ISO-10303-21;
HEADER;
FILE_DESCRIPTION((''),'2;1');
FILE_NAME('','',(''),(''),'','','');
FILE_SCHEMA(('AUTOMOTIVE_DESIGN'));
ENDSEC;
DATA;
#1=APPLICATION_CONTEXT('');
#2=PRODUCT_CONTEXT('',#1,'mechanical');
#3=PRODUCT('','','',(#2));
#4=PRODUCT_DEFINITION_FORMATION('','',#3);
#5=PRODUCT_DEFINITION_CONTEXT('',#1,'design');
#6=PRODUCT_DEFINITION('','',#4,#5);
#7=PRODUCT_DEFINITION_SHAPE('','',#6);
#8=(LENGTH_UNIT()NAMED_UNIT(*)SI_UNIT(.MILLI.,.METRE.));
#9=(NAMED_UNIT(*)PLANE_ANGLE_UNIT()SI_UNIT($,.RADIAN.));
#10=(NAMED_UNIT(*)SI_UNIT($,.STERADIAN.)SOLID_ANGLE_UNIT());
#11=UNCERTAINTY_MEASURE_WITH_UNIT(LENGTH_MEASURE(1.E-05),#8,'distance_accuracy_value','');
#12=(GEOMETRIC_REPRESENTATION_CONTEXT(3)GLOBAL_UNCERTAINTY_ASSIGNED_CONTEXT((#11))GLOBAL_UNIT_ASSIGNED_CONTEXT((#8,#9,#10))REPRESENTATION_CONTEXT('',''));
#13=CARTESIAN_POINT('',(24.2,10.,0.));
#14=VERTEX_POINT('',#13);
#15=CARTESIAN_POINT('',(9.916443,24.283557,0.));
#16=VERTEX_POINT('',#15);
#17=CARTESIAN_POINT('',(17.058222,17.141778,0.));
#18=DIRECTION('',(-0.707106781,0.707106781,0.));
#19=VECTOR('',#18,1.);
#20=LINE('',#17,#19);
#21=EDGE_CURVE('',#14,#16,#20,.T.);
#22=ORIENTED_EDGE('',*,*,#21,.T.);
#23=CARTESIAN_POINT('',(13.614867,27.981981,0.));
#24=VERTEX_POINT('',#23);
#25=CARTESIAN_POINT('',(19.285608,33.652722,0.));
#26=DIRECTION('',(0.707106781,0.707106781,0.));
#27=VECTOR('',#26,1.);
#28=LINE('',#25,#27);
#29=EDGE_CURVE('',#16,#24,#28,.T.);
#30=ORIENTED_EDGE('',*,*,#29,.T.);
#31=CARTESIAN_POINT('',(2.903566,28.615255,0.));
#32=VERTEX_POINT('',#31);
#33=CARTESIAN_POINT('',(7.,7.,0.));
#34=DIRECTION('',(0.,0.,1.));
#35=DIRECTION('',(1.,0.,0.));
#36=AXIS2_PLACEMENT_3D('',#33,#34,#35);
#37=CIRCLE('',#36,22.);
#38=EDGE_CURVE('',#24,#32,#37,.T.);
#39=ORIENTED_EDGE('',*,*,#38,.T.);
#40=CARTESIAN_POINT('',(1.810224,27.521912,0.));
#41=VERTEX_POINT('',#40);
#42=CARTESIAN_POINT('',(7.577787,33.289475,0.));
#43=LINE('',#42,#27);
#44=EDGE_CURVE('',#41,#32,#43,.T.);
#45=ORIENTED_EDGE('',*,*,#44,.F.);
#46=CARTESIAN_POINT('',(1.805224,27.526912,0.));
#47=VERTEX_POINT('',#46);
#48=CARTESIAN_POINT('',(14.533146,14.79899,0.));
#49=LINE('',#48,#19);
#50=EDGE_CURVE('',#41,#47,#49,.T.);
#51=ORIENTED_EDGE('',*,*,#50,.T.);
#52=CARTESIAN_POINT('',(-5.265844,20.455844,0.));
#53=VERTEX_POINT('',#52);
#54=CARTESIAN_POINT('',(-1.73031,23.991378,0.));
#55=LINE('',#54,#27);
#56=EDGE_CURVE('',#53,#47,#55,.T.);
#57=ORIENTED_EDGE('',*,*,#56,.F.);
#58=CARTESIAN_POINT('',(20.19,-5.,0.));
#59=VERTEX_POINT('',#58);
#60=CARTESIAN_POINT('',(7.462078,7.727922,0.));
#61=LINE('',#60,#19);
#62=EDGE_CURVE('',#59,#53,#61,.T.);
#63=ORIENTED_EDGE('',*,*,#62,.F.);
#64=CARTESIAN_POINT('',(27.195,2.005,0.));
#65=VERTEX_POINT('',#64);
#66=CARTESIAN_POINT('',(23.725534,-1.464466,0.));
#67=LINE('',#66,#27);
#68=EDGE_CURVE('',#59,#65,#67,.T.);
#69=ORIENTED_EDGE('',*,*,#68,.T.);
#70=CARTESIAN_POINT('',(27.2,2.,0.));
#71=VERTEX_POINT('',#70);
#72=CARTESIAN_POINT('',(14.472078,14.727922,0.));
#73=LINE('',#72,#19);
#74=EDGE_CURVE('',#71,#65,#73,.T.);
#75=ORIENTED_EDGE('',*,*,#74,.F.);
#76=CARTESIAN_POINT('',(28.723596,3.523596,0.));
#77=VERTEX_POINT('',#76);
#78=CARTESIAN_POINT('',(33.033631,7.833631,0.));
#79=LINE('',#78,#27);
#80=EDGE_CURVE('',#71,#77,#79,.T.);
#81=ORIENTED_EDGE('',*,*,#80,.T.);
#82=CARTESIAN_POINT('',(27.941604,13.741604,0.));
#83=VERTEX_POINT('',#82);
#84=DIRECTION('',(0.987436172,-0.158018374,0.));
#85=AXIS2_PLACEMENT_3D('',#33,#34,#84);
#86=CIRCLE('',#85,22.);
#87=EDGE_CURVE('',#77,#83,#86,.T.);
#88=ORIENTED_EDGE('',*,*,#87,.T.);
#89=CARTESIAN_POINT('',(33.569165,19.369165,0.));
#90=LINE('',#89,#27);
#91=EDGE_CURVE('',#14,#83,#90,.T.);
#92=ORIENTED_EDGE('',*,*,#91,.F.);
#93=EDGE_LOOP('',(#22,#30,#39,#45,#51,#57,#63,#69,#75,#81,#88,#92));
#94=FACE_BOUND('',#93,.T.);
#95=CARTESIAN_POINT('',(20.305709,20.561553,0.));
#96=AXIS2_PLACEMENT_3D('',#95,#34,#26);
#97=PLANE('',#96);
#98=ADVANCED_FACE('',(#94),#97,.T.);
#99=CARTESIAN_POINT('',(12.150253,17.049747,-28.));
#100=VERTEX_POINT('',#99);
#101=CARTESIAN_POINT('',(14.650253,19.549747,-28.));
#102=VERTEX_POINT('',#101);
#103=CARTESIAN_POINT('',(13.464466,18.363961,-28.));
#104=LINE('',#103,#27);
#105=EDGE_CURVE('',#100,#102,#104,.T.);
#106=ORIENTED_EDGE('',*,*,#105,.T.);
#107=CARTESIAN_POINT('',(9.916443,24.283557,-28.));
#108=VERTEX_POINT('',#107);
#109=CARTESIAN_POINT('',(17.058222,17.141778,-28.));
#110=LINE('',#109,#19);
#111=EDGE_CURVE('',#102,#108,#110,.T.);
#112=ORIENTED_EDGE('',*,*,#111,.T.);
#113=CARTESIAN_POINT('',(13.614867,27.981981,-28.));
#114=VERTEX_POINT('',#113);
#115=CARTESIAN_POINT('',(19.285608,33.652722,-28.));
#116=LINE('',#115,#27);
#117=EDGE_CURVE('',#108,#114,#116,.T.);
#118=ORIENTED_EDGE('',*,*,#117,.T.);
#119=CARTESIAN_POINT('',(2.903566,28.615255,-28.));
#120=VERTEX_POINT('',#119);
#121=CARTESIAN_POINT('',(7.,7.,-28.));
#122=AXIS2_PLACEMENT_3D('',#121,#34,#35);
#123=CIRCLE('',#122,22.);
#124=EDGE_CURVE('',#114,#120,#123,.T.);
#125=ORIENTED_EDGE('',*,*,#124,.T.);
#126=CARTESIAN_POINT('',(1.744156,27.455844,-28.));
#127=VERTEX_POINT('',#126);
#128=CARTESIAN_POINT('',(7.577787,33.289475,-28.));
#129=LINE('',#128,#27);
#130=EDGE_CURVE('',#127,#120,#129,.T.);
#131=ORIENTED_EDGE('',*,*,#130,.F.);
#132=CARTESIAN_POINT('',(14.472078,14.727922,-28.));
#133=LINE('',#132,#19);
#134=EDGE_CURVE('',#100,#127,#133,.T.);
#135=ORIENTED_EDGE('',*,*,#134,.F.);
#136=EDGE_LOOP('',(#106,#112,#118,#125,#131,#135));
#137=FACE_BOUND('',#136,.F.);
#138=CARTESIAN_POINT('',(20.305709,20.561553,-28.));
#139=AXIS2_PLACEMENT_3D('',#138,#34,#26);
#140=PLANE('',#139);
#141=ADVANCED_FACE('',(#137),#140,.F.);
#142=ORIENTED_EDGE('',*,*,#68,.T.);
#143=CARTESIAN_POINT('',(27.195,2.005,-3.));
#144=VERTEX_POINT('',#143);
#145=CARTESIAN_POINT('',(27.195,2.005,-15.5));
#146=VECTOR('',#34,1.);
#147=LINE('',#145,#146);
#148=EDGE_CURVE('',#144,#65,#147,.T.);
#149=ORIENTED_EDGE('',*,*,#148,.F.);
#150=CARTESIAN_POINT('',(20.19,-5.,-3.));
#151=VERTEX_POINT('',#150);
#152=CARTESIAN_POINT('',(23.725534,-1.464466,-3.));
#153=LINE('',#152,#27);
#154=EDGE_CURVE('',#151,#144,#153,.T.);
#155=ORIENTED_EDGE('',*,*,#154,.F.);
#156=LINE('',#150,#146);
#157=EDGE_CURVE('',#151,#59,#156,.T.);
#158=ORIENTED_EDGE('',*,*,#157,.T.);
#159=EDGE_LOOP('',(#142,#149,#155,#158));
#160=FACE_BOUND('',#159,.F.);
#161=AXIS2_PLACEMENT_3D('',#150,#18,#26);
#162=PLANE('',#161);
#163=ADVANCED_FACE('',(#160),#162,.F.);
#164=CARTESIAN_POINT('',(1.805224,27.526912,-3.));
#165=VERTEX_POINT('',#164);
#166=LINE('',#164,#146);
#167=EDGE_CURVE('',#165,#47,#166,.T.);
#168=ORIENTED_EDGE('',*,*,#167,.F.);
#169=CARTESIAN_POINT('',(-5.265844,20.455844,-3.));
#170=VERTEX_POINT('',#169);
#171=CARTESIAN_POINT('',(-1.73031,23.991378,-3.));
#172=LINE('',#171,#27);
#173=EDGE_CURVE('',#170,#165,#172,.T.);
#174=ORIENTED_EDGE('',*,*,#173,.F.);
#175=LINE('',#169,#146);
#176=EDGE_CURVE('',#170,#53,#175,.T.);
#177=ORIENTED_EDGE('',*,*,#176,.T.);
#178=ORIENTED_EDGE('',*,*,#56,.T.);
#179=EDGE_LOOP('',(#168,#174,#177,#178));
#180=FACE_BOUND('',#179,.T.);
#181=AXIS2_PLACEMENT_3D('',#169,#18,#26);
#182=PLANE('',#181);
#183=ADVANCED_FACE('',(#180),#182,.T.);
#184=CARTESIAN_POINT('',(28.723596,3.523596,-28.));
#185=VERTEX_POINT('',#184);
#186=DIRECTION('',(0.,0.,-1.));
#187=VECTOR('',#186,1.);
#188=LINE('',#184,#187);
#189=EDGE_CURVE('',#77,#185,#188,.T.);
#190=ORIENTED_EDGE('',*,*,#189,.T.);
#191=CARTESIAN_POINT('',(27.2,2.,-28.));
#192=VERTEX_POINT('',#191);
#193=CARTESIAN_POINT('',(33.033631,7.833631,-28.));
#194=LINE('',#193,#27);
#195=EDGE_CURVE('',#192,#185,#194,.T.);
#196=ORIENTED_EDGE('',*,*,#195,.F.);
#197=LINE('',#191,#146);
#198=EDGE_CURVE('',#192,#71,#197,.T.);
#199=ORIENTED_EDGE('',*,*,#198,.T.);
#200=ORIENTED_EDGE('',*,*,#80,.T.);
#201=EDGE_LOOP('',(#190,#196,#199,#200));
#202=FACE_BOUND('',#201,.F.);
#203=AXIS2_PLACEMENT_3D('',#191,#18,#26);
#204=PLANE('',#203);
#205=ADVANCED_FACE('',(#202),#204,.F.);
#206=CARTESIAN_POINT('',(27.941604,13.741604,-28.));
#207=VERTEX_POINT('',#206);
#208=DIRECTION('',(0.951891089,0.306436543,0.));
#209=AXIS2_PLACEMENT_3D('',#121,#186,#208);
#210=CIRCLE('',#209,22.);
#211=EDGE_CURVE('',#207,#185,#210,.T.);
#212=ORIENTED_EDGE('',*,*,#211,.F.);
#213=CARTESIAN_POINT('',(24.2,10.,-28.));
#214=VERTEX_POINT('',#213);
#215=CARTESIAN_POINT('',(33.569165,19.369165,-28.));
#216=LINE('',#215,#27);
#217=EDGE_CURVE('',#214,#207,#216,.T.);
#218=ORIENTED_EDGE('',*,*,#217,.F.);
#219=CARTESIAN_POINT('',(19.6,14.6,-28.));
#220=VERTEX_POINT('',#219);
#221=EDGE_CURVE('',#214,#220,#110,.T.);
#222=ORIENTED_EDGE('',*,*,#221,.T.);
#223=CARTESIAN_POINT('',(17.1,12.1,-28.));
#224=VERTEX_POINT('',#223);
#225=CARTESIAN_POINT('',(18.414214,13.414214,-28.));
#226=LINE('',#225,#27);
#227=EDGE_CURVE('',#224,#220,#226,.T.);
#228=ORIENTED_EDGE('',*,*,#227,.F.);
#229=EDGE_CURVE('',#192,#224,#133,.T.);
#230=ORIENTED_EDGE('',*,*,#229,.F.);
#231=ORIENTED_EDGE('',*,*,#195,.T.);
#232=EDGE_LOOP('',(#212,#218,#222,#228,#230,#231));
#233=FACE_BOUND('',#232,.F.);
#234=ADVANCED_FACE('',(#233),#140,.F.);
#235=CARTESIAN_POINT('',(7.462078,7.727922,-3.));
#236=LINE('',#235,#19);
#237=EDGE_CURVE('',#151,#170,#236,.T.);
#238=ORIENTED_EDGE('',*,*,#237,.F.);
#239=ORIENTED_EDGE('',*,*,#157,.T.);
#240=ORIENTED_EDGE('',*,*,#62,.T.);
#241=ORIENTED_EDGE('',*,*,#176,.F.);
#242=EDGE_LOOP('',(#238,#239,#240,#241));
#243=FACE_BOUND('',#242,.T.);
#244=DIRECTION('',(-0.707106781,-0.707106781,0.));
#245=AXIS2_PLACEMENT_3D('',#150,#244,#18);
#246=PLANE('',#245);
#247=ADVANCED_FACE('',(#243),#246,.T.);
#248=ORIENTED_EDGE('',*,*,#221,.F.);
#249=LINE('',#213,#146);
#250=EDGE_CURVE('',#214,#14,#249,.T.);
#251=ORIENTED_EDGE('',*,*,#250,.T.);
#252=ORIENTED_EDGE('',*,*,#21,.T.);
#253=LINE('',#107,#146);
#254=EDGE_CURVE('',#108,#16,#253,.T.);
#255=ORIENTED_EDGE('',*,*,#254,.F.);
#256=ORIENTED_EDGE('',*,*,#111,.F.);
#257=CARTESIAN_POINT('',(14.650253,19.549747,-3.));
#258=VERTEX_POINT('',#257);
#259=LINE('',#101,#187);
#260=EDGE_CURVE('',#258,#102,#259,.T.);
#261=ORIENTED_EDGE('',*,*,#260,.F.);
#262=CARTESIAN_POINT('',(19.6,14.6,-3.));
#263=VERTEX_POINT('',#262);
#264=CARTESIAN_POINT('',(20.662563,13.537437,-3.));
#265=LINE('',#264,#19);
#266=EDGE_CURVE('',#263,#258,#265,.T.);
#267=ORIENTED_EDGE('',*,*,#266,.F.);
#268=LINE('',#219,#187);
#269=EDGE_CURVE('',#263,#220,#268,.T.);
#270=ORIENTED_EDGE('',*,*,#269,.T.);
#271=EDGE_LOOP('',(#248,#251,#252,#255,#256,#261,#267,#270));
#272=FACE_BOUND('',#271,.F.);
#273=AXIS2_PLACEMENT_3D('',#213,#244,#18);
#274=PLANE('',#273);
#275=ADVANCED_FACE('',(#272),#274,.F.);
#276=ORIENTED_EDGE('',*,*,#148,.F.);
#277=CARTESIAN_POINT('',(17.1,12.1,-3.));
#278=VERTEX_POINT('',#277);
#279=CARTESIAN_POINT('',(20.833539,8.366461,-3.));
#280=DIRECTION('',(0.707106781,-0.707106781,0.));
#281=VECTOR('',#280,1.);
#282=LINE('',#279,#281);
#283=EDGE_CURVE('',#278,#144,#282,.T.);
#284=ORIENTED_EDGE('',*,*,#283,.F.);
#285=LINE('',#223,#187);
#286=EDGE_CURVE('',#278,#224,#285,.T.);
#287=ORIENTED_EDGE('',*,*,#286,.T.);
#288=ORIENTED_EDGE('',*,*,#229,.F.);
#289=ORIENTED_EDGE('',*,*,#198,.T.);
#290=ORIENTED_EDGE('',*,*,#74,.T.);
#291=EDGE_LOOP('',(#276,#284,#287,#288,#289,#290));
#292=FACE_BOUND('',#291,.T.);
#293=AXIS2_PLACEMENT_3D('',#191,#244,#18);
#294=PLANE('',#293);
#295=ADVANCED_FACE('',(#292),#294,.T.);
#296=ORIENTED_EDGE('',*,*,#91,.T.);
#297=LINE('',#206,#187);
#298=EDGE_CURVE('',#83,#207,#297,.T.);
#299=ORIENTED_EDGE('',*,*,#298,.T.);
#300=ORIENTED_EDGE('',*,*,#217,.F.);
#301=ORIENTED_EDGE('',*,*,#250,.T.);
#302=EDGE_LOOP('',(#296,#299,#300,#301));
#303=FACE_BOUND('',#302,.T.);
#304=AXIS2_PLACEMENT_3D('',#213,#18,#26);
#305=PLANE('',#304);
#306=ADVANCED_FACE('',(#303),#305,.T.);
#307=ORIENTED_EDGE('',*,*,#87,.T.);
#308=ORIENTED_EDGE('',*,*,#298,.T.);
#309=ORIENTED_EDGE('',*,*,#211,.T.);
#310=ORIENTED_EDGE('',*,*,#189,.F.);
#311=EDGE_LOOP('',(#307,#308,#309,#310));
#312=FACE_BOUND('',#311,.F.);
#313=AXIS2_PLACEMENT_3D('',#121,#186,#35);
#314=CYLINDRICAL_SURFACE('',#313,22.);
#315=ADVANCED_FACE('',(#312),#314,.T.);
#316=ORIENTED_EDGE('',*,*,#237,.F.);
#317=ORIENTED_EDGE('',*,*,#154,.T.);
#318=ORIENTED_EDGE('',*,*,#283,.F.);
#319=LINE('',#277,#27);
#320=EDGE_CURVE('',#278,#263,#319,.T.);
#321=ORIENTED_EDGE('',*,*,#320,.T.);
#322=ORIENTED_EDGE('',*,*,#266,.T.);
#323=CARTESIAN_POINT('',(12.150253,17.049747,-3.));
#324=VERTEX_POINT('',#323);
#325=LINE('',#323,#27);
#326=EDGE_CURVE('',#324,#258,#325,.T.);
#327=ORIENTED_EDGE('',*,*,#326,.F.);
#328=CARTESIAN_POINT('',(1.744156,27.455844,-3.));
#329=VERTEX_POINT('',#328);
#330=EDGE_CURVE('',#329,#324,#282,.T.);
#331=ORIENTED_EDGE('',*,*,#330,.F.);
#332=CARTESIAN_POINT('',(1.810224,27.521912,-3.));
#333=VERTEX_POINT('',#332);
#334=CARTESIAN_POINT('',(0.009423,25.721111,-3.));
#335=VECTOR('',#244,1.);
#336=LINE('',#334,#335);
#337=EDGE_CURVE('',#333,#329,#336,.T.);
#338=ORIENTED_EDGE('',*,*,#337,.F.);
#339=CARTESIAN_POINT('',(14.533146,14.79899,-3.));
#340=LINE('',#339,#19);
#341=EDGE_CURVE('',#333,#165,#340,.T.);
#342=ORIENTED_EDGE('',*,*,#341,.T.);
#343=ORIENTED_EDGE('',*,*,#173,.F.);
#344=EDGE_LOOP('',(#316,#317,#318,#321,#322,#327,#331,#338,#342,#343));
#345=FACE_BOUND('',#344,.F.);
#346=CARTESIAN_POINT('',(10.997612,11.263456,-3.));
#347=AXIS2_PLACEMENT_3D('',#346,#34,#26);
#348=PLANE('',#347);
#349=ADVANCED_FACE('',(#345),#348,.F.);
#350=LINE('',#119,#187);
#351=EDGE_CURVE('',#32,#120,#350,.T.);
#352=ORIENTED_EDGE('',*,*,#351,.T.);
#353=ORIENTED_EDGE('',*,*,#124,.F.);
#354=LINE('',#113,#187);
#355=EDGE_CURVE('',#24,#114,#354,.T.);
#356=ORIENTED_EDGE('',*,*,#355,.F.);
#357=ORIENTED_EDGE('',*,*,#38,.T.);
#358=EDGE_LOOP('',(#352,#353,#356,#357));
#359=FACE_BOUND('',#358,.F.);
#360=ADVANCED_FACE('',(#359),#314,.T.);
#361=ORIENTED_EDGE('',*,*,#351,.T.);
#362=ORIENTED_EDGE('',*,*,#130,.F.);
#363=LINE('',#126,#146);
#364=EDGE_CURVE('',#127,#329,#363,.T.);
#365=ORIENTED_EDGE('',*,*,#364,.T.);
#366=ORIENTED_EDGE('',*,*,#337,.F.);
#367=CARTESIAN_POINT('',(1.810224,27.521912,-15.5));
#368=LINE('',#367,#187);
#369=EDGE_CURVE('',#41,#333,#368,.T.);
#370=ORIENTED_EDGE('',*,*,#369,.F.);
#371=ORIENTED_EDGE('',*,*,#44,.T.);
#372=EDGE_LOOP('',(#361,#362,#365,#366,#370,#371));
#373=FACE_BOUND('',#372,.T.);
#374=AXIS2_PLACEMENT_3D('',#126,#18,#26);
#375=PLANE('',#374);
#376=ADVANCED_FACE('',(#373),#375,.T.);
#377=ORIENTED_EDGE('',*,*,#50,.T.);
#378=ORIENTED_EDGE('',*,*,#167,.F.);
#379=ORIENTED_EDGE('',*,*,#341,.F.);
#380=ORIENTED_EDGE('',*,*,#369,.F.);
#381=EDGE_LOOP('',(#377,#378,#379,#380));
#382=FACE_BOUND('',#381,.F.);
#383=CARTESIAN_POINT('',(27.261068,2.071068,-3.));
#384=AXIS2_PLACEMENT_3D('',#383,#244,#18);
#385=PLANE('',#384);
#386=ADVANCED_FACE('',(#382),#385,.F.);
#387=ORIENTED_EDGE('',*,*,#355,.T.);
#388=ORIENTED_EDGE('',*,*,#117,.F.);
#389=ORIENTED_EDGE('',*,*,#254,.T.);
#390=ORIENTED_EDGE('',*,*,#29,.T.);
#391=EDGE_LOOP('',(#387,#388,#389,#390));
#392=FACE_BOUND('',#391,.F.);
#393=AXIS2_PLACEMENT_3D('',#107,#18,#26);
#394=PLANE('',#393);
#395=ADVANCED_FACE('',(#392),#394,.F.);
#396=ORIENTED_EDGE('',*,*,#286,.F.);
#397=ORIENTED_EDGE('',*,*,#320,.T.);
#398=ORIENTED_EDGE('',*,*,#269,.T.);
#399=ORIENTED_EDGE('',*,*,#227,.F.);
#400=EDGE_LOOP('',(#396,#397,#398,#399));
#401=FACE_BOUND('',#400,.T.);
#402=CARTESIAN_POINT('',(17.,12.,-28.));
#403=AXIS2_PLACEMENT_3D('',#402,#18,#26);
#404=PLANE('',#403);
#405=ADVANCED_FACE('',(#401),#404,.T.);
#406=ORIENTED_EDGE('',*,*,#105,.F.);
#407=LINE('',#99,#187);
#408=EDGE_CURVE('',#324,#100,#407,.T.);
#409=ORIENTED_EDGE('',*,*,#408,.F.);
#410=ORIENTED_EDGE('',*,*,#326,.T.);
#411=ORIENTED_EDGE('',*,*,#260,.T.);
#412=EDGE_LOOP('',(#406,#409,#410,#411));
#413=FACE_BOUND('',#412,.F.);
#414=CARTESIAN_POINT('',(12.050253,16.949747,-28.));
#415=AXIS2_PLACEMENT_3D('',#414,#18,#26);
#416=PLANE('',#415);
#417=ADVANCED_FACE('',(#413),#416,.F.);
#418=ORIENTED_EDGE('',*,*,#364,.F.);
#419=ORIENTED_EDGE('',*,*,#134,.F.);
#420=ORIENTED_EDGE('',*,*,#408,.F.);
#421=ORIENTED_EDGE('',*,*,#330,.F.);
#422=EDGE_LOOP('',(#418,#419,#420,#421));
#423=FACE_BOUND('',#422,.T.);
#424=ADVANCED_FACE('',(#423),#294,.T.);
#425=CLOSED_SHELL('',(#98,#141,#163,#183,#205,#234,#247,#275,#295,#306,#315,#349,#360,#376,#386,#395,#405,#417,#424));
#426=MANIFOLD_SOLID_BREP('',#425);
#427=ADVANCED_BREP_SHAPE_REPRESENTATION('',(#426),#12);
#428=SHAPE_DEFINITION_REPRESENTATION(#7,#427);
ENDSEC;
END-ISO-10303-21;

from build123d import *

# Parameters (mm, degrees)
BOX044_W               = 4
BOX044_H               = 7
BOX044_DEPTH           = 25
BOX044_PLACEMENT_ANGLE = 45
CYLINDER100_R          = 22
CYLINDER100_DEPTH      = 28
BOX042_W               = 26.5
BOX042_H               = 20.2
BOX042_DEPTH           = 28
BOX042_PLACEMENT_ANGLE = 45
BOX043_W               = 16.5
BOX043_H               = 36
BOX043_DEPTH           = 28
BOX043_PLACEMENT_ANGLE = 45
BOX045_W               = 10
BOX045_H               = 36
BOX045_DEPTH           = 3
BOX045_PLACEMENT_ANGLE = 45


with BuildPart() as cube023:
    # Box044 → Box044 (new body)
    with BuildSketch(Plane.XY):
        with Locations((2, 3.5)):
            Rectangle(BOX044_W, BOX044_H)
    extrude(amount=BOX044_DEPTH)


with BuildPart() as cube023_1:
    # Box044 placement: moved
    add(cube023.part.moved(Location((17, 12, -28))).rotate(Axis((17, 12, -28), (0, 0, 1)), BOX044_PLACEMENT_ANGLE))


with BuildPart() as cylinder100:
    # Cylinder100 → Cylinder100 (new body)
    with BuildSketch(Plane(origin=(7, 7, -28), x_dir=(1, 0, 0), z_dir=(0, 0, 1))):
        Circle(CYLINDER100_R)
    extrude(amount=CYLINDER100_DEPTH)


with BuildPart() as inner001:
    # Box042 → Box042 (new body)
    with BuildSketch(Plane.XY):
        with Locations((13.25, 10.1)):
            Rectangle(BOX042_W, BOX042_H)
    extrude(amount=BOX042_DEPTH)


with BuildPart() as inner001_1:
    # Box042 placement: moved
    add(inner001.part.moved(Location((24.2, 10, -28))).rotate(Axis((24.2, 10, -28), (0, 0, 1)), BOX042_PLACEMENT_ANGLE))


with BuildPart() as cut106:
    # Box043 → Box043 (new body)
    with BuildSketch(Plane.XY):
        with Locations((8.25, 18)):
            Rectangle(BOX043_W, BOX043_H)
    extrude(amount=BOX043_DEPTH)


with BuildPart() as cut106_1:
    # Box043 placement: moved
    add(cut106.part.moved(Location((27.2, 2, -28))).rotate(Axis((27.2, 2, -28), (0, 0, 1)), BOX043_PLACEMENT_ANGLE))

    # Cut105: cut inner001
    add(inner001_1.part, mode=Mode.SUBTRACT)

    # Common007: intersect Cylinder100
    add(cylinder100.part, mode=Mode.INTERSECT)

    # Cut106: cut Cube023
    add(cube023_1.part, mode=Mode.SUBTRACT)


with BuildPart() as fusion030:
    # Box045 → Box045 (new body)
    with BuildSketch(Plane.XY):
        with Locations((5, 18)):
            Rectangle(BOX045_W, BOX045_H)
    extrude(amount=BOX045_DEPTH)


with BuildPart() as fusion030_1:
    # Box045 placement: moved
    add(fusion030.part.moved(Location((20.19, -5, -3))).rotate(Axis((20.19, -5, -3), (0, 0, 1)), BOX045_PLACEMENT_ANGLE))

    # Fusion030: union Cut106
    add(cut106_1.part)


solid = fusion030_1.part
